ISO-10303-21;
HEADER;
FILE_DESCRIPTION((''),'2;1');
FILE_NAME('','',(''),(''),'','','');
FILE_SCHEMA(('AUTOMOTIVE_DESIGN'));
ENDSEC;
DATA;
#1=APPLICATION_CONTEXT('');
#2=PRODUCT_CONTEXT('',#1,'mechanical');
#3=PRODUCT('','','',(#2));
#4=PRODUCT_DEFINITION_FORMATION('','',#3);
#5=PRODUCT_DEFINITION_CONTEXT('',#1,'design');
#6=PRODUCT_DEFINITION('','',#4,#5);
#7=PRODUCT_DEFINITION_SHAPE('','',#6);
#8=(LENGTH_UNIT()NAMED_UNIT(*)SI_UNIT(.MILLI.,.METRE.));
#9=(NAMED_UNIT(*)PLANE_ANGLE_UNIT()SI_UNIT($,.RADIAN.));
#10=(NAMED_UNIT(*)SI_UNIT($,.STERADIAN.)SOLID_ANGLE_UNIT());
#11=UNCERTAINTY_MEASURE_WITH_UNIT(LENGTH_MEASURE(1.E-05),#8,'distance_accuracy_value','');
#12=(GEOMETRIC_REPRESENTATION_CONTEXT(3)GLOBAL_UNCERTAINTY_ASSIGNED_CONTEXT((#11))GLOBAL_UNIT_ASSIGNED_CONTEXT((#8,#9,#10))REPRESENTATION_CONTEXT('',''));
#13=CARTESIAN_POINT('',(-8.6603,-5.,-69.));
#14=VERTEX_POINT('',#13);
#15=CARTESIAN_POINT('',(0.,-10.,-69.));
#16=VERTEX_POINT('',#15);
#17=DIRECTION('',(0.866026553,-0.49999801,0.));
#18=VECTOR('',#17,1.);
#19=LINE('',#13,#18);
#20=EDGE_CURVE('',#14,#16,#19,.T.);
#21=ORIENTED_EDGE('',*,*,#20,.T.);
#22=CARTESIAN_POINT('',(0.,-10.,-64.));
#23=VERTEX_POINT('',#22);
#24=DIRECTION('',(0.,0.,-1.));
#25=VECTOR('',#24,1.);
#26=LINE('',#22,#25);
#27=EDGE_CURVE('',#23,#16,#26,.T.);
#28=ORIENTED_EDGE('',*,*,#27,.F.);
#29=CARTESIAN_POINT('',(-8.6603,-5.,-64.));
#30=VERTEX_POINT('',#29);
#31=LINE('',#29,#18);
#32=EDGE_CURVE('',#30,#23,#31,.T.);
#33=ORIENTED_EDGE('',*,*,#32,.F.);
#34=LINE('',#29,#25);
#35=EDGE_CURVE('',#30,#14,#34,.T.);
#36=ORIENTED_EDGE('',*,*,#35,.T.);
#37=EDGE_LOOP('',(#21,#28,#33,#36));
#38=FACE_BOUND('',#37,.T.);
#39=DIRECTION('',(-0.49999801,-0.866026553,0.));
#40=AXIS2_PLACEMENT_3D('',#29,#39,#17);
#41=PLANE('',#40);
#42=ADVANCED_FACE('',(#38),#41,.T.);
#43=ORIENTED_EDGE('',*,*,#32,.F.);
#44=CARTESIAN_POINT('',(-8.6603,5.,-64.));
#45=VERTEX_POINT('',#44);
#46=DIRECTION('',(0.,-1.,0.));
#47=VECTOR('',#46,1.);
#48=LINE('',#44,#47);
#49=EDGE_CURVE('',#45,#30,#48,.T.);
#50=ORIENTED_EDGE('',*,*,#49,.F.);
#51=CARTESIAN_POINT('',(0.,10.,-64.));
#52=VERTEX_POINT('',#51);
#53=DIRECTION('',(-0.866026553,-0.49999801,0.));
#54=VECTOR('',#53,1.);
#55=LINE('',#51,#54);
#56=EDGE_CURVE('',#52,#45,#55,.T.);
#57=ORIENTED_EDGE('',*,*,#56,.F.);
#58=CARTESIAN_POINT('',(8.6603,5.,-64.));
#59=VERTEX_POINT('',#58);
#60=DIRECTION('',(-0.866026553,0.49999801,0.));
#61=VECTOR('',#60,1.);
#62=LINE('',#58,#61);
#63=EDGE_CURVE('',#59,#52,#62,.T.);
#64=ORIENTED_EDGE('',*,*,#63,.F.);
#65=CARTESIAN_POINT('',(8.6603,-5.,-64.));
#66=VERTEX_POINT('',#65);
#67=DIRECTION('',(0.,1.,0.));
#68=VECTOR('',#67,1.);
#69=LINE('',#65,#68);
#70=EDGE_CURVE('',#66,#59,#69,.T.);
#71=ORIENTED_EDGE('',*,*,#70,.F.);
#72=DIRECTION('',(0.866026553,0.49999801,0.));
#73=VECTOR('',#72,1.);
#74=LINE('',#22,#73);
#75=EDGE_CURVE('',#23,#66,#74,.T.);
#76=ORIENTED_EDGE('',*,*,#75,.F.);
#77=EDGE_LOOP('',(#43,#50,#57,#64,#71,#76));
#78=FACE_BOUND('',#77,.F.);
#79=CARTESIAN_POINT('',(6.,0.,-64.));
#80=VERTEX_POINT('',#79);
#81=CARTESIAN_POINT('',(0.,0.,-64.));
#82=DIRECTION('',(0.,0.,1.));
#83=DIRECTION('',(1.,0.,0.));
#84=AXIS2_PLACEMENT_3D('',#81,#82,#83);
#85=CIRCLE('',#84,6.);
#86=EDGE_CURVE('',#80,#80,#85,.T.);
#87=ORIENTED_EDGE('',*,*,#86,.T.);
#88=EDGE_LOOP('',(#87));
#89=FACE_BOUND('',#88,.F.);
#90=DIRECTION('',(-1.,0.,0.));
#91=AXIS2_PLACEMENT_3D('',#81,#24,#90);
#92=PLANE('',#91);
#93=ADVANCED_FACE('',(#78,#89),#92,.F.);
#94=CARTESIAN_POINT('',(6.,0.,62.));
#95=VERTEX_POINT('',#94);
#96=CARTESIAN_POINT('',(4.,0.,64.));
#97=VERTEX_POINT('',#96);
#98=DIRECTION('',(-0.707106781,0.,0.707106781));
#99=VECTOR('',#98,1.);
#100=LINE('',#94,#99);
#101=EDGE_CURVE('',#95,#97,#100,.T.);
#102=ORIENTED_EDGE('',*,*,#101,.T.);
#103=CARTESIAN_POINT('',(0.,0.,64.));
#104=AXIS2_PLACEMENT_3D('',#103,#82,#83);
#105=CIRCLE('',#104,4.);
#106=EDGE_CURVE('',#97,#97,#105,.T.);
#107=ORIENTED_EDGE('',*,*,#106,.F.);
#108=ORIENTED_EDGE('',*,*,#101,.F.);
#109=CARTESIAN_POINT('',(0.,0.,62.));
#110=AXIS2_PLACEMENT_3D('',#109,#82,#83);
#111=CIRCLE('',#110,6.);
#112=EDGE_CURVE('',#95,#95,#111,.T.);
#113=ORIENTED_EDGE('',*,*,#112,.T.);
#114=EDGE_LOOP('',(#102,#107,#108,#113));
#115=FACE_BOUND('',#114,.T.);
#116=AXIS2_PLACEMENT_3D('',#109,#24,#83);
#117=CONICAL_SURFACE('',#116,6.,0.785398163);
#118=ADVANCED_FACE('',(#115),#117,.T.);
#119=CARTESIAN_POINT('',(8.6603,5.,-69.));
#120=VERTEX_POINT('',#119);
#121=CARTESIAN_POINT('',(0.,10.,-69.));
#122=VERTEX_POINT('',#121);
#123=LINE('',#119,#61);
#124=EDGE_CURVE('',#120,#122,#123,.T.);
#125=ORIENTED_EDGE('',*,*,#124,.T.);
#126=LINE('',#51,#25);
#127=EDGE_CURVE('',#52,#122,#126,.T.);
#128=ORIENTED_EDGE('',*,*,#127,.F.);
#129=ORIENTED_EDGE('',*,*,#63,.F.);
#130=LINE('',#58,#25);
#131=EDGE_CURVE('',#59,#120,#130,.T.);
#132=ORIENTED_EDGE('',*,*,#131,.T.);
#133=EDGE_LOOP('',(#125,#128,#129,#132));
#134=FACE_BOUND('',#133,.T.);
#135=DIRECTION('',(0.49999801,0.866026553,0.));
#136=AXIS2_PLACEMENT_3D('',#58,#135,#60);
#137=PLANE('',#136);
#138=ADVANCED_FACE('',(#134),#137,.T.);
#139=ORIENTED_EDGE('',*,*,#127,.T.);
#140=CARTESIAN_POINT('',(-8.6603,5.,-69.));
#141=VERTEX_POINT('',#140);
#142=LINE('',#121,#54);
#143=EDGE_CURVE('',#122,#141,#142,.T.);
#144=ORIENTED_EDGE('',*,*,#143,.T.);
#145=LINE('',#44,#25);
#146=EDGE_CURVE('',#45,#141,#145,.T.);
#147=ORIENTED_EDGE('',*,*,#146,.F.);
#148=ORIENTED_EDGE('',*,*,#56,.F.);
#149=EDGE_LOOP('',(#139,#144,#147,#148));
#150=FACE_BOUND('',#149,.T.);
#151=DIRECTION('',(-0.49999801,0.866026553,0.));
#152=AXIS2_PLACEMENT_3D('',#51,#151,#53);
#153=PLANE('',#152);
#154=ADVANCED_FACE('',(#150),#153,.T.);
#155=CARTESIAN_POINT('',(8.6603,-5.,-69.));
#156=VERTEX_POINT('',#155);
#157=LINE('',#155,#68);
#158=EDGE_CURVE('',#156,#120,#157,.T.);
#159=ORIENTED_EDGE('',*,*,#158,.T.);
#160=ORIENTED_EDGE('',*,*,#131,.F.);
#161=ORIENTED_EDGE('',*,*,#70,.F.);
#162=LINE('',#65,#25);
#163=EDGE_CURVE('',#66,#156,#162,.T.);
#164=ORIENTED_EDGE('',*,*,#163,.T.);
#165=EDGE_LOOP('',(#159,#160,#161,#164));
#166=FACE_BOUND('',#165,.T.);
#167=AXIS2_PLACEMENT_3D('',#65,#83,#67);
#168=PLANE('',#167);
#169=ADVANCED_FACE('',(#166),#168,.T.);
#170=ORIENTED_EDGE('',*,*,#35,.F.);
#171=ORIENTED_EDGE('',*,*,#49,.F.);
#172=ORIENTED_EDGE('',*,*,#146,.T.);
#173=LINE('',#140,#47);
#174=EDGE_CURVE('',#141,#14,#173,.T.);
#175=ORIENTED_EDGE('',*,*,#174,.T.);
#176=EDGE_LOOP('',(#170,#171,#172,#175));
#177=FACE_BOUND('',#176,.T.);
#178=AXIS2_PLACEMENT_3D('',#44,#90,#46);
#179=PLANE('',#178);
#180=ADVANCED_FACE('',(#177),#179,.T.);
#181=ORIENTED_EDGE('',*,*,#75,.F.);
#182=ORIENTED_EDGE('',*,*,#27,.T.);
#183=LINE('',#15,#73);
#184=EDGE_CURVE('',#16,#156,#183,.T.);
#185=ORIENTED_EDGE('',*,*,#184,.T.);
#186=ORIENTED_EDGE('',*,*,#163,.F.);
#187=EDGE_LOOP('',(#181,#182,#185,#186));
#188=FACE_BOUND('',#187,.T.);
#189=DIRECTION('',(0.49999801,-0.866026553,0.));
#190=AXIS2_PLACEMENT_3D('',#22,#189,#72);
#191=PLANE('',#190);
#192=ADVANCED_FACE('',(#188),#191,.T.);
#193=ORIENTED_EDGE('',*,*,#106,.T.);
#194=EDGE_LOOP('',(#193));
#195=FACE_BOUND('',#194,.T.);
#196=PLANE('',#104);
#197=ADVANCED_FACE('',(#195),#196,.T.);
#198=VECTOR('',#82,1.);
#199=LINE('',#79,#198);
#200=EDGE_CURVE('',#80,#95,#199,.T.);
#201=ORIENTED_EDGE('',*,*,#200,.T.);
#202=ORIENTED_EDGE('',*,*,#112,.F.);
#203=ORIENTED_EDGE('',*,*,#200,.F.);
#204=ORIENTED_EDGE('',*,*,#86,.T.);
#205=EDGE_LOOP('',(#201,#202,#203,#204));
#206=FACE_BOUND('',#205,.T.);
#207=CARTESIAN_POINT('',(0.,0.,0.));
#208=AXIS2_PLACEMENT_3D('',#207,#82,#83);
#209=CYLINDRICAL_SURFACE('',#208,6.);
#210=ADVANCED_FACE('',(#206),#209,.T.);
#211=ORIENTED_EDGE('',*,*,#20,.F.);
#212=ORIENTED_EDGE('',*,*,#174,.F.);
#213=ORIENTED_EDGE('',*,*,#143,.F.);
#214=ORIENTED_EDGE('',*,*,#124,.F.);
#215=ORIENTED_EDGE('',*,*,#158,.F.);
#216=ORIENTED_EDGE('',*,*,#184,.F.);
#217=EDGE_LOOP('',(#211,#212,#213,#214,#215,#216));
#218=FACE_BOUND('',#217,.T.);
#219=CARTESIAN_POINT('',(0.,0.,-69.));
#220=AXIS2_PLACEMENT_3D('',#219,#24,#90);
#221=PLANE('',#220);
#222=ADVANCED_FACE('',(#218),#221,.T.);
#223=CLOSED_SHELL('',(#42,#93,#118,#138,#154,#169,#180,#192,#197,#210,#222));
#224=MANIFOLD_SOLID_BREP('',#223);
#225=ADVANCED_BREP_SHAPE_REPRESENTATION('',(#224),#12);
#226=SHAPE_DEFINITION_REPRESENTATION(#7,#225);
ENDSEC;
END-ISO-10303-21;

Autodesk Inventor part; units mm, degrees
sketch "Sketch1" plane through (0, 0, 0) normal (0, 0, 1) x (1, 0, 0)
  circle A0 centre (0, 0) radius 6
  dimension "d0" = 12
extrude "Extrusion1" add sketch "Sketch1" along normal mid plane 128
sketch "Sketch2" plane through (0, 0, -64) normal (0, 0, -1) x (-1, 0, 0)
  line L0 (0, 10) -> (8.6603, 5)
  line L1 (8.6603, 5) -> (8.6603, -5)
  line L2 (8.6603, -5) -> (0, -10)
  line L3 (0, -10) -> (-8.6603, -5)
  line L4 (-8.6603, -5) -> (-8.6603, 5)
  line L5 (-8.6603, 5) -> (0, 10)
  point P0 (0, 0)
  point P1 (0, 0)
  dimension "d3" = 10
extrude "Extrusion2" add sketch "Sketch2" along normal blind 5
thread "Thread1" size "M12x1.25" class "6g" standard "ANSI Metric M Profile" full length
chamfer "Chamfer1" distance 2 angle 45 1 edges at (-6, 0, 64)
